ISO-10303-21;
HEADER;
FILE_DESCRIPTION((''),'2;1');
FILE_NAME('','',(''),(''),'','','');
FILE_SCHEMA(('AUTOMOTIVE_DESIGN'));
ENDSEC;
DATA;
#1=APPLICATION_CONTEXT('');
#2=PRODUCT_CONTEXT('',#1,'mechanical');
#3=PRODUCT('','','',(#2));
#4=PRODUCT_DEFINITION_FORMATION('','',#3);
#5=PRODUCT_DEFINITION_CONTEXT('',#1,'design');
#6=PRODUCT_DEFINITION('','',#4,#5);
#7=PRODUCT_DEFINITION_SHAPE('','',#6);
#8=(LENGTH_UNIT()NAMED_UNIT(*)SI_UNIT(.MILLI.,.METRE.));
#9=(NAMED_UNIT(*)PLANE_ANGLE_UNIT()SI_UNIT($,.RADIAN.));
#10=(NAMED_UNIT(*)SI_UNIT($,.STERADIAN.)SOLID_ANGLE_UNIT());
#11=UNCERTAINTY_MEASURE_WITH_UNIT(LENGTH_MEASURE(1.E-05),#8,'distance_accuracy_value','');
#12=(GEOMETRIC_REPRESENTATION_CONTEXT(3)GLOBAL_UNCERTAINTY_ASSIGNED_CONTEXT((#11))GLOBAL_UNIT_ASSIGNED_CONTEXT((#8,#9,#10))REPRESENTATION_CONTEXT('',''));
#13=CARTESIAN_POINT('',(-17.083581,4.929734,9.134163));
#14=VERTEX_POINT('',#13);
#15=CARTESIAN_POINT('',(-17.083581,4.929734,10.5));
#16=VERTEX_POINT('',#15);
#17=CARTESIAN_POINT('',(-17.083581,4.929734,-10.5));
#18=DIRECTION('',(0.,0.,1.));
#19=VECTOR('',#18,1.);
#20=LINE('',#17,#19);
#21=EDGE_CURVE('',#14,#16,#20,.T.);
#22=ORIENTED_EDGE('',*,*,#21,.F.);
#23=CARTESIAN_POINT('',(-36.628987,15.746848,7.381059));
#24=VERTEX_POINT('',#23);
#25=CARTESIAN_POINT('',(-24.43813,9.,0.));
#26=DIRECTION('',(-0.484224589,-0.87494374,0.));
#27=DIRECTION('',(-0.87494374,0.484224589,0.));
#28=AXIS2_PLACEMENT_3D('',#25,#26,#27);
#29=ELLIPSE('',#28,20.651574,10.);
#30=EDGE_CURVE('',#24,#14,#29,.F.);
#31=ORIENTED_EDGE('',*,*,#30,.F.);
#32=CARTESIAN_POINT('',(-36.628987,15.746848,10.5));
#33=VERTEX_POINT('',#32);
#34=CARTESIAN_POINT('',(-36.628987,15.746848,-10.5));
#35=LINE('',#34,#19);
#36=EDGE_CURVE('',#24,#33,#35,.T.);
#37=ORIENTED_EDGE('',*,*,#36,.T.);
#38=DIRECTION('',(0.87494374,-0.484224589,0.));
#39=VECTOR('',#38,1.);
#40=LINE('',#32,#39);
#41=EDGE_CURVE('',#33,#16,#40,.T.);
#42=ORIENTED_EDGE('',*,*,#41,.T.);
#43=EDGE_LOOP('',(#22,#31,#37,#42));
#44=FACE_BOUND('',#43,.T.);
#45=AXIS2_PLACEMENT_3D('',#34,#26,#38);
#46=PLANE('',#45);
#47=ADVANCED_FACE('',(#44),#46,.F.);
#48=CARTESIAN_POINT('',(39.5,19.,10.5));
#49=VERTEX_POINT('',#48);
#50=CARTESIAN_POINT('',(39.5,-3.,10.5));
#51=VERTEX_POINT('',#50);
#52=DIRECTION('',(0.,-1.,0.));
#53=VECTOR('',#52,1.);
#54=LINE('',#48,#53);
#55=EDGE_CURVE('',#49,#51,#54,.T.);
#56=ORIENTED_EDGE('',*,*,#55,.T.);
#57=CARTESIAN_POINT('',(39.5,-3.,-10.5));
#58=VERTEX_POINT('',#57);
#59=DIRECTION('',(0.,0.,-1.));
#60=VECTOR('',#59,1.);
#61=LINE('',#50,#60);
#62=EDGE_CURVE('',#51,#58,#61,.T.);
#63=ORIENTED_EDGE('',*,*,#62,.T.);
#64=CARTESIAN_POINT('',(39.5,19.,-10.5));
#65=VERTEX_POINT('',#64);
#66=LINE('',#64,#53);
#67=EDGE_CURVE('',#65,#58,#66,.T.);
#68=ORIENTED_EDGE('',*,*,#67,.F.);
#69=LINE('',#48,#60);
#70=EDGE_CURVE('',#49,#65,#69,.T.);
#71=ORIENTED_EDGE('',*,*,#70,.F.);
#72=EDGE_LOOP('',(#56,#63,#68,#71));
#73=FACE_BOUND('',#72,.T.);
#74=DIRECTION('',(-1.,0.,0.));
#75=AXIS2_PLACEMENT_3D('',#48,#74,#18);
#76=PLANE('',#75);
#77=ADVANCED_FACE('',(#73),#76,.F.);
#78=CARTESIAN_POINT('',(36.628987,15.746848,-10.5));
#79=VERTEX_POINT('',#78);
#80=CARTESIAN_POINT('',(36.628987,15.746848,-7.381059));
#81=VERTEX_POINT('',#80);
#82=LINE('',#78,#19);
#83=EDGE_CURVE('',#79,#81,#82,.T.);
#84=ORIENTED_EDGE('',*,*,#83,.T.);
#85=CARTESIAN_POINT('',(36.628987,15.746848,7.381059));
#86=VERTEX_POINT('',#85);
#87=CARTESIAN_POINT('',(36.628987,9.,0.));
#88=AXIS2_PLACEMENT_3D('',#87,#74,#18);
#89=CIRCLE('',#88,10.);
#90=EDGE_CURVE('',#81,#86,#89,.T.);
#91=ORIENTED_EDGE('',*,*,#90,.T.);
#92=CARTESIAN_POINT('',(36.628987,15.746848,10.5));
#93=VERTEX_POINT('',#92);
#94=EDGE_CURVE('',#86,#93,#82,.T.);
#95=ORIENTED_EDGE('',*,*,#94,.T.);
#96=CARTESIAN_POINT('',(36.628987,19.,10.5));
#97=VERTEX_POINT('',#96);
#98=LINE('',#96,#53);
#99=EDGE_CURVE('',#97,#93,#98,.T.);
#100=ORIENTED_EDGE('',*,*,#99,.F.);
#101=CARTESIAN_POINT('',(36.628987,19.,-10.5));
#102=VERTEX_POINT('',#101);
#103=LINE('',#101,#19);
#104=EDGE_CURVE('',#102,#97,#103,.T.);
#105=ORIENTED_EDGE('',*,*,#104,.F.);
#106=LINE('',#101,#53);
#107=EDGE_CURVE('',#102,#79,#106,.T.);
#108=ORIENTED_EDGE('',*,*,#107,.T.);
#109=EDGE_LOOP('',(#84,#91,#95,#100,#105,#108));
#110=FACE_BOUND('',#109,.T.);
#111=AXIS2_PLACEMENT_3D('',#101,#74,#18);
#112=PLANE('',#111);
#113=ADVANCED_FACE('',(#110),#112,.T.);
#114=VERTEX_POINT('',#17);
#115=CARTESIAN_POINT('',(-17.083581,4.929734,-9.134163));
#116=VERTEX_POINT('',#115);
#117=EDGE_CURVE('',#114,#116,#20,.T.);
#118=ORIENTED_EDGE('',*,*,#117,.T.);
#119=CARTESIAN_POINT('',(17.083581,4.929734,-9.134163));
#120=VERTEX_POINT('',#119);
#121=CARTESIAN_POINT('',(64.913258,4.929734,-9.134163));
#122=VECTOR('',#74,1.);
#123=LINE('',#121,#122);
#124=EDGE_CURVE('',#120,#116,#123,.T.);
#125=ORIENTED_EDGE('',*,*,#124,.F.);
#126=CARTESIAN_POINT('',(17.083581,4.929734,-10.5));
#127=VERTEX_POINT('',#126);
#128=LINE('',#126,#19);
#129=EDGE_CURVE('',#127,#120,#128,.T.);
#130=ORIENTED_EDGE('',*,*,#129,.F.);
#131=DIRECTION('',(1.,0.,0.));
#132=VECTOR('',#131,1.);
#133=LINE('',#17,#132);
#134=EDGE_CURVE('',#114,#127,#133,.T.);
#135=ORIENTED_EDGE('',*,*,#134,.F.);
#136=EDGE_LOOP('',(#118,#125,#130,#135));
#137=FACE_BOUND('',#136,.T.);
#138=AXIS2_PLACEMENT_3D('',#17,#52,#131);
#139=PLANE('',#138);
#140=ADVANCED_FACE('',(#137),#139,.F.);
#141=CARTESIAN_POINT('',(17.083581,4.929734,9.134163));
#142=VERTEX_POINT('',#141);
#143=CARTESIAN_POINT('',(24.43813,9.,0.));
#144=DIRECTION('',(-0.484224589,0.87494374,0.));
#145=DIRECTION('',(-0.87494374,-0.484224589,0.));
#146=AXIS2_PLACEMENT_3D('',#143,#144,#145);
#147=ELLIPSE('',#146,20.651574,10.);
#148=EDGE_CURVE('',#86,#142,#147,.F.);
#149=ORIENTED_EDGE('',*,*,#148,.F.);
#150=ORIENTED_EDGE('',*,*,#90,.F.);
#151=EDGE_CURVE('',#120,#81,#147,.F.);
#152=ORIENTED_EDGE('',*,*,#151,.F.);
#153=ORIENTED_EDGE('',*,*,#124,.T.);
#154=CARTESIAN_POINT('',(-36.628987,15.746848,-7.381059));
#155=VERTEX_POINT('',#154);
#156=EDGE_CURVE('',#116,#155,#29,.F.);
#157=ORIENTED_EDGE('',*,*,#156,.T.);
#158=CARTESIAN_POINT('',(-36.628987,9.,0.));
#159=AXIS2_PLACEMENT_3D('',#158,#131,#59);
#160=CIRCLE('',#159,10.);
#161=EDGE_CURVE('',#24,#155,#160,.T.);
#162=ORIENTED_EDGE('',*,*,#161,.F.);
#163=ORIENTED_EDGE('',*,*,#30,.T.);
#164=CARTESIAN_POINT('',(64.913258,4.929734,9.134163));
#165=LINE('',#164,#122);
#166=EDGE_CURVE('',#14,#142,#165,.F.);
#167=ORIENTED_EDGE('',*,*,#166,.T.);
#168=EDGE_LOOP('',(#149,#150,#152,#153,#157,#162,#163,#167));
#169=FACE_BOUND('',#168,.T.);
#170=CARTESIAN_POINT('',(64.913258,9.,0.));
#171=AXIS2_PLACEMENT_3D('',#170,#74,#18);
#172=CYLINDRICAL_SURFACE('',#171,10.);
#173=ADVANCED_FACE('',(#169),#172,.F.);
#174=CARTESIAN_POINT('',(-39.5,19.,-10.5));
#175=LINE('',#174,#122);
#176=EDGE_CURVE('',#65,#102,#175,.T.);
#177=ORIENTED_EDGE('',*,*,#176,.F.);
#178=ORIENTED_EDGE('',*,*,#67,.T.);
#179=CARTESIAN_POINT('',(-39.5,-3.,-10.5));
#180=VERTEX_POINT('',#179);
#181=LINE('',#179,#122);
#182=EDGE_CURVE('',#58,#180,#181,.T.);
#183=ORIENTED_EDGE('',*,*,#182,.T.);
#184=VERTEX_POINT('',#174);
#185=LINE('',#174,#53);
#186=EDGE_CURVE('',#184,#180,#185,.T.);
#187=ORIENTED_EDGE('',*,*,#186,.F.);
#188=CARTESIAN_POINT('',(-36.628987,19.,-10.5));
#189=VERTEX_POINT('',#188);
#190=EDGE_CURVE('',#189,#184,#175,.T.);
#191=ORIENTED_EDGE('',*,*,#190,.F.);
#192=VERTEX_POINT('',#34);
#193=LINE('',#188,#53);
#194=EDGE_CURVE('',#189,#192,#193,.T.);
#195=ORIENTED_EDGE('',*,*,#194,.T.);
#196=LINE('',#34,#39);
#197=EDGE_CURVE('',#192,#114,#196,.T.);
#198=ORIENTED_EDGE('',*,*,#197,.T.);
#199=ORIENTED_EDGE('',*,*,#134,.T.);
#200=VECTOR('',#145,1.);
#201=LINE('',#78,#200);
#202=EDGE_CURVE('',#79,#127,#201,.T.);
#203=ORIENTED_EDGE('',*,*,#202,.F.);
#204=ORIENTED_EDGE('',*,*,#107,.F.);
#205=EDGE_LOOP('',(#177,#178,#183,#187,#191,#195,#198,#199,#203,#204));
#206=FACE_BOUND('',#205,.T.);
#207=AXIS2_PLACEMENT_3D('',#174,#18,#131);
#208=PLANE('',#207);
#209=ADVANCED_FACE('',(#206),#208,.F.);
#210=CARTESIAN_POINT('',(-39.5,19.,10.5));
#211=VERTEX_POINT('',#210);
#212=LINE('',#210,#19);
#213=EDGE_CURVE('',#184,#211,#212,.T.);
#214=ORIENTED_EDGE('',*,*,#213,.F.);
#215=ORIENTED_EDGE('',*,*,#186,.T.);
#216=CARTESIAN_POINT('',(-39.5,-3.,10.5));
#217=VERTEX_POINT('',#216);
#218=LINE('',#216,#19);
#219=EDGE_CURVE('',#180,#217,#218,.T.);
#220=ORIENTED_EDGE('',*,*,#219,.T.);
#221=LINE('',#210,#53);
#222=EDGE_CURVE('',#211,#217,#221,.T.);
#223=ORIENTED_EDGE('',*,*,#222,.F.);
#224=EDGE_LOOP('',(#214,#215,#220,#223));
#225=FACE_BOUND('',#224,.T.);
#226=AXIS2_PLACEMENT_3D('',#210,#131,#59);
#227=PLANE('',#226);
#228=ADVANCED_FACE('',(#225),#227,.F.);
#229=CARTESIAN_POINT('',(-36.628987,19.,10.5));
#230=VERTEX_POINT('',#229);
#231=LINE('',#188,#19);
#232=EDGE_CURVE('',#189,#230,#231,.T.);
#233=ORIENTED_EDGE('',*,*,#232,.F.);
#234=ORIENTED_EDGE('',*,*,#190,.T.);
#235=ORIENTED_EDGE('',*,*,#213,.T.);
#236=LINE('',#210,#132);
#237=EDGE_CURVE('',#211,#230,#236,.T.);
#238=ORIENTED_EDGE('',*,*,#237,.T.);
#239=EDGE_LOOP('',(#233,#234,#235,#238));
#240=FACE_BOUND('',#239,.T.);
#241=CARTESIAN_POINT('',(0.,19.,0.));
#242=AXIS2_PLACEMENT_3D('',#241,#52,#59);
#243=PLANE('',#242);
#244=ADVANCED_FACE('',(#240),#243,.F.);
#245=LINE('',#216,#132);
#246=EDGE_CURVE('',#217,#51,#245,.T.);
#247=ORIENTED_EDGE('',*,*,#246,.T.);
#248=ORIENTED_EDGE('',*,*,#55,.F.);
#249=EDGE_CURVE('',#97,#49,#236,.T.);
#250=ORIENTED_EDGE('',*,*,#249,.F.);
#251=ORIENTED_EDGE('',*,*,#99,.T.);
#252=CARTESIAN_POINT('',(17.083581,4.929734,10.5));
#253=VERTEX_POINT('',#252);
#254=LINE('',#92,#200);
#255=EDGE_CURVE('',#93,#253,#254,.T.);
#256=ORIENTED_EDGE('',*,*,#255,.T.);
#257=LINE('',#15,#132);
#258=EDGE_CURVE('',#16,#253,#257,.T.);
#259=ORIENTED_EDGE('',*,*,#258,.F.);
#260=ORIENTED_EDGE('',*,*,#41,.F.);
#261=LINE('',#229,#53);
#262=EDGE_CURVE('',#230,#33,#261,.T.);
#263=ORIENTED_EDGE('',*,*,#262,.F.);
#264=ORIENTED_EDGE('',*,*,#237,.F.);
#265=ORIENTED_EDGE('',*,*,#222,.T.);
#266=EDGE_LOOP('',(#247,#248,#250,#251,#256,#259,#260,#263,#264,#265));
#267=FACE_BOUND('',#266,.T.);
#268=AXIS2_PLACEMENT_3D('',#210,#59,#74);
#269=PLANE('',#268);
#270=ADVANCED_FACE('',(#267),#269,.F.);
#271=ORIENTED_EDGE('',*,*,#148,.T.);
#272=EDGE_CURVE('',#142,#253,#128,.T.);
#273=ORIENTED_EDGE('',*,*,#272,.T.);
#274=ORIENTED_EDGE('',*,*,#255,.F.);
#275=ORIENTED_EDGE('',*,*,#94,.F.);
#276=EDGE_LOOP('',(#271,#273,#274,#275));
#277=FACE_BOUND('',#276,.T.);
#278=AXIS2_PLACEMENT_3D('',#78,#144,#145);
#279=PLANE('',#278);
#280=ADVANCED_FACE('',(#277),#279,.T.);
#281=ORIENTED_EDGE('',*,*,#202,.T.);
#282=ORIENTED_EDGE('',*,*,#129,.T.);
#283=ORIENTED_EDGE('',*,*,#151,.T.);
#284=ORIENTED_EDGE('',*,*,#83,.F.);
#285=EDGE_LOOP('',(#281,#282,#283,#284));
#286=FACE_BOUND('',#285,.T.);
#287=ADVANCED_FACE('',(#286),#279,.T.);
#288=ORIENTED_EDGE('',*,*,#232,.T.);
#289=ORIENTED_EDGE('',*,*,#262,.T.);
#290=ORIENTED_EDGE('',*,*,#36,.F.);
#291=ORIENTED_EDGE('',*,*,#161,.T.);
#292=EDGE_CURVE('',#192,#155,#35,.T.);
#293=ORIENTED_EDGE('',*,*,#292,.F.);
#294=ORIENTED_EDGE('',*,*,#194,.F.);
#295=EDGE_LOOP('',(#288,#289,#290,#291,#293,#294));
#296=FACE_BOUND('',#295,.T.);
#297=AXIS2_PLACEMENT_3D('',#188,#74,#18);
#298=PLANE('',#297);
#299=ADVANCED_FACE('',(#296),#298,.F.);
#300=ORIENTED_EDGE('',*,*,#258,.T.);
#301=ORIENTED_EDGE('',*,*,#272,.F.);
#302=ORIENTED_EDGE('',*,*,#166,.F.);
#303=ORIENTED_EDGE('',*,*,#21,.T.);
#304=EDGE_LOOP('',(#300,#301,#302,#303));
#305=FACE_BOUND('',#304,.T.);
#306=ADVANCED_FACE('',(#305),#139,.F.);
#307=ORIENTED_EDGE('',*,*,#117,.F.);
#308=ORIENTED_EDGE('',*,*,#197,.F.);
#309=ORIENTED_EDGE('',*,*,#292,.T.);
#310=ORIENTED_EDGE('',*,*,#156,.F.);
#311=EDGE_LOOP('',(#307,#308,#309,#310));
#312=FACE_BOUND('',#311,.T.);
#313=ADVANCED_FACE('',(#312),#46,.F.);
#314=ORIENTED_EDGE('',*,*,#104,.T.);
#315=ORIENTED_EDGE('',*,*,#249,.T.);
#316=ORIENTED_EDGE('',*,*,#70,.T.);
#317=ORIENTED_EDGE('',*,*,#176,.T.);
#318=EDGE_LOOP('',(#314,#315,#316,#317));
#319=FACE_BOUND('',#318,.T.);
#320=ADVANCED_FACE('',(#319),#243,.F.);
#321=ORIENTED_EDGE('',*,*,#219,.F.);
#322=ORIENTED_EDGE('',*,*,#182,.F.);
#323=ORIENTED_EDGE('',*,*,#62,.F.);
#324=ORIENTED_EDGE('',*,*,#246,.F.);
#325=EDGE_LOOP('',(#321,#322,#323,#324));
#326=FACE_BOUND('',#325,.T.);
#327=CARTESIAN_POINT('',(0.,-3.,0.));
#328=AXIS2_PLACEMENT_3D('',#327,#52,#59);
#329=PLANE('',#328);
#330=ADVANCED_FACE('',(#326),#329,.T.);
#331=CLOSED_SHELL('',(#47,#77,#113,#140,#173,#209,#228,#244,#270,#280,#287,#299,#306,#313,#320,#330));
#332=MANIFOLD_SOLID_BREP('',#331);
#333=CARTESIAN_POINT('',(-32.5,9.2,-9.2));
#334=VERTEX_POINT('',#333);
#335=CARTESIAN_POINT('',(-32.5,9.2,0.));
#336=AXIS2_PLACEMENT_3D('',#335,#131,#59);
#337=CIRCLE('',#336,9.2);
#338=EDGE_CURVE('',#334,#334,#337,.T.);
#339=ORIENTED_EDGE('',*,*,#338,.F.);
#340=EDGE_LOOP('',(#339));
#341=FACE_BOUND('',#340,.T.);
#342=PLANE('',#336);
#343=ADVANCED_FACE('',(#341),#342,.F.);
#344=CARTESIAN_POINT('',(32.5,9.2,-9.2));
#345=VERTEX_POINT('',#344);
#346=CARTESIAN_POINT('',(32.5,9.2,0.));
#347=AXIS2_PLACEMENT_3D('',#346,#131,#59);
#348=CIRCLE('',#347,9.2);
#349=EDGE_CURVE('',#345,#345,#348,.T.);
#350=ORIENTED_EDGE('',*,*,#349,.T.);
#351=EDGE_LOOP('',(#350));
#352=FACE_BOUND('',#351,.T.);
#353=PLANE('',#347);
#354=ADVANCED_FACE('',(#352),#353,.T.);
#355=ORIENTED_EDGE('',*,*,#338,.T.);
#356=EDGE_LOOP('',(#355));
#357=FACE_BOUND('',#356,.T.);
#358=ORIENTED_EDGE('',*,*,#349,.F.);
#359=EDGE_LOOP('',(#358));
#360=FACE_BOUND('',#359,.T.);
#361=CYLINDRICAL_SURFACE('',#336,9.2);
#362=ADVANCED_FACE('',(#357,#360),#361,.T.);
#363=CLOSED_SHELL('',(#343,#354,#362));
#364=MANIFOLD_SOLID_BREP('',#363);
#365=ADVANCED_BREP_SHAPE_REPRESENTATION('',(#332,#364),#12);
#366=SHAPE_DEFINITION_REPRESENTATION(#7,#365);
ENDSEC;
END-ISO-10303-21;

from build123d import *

# Parameters (mm, degrees)
BOSS_EXTRUDE3_DEPTH      = 32.5
BOSS_EXTRUDE3_DEPTH_BACK = 32.5
SKETCH8_R                = 9.2
SKETCH9_W                = 79
SKETCH9_H                = 21
BOSS_EXTRUDE4_DEPTH      = 22
CUT_EXTRUDE1_DEPTH       = 49.602983448
CUT_EXTRUDE2_REACH       = 81.164
SKETCH12_R               = 10


with BuildPart() as part:
    # Sketch8 → Boss-Extrude3 (new, two sides: drawn at the far end of the back side and taken through both)
    with BuildSketch(Plane(origin=(0, 0, 0), x_dir=(0, 0, -1), z_dir=(1, 0, 0)).offset(-BOSS_EXTRUDE3_DEPTH_BACK)):
        with Locations((0, 9.2)):
            Circle(SKETCH8_R)
    extrude(amount=BOSS_EXTRUDE3_DEPTH + BOSS_EXTRUDE3_DEPTH_BACK)


with BuildPart() as body_2:
    # Sketch9 → Boss-Extrude4 (new body)
    with BuildSketch(Plane(origin=(0, -3, 0), x_dir=(1, 0, 0), z_dir=(0, 1, 0))):
        Rectangle(SKETCH9_W, SKETCH9_H)
    extrude(amount=BOSS_EXTRUDE4_DEPTH)

    # Sketch11 → Cut-Extrude1 (cut, through all)
    with BuildSketch(Plane.XY.offset(10.5)):
        Polygon((-36.62898703, 19), (-36.62898703, 15.746848223), (-17.083580509, 4.929733927), (0, 4.929733927), (0, 19), align=None)
    cut_extrude1 = extrude(amount=-CUT_EXTRUDE1_DEPTH, mode=Mode.SUBTRACT)

    # Mirror1: Cut-Extrude1 across plane
    add(cut_extrude1.mirror(Plane(origin=(0, 0, 0), x_dir=(0, 0, 1), z_dir=(1, 0, 0))), mode=Mode.SUBTRACT)

    # Cut-Extrude2: up to this face of the body (flat: up to its plane)
    cut_extrude2_end = Plane(body_2.part.faces().sort_by_distance((36.62898703, 17.373424112, 0))[0])
    # Sketch12 → Cut-Extrude2 (cut, up to the picked face)
    with BuildSketch(Plane(origin=(-36.62898703, 0, 0), x_dir=(0, 0, -1), z_dir=(1, 0, 0)), mode=Mode.PRIVATE) as cut_extrude2_sk1:
        with Locations((0, 9)):
            Circle(SKETCH12_R)
    cut_extrude2_tool1 = split(extrude(cut_extrude2_sk1.sketch, amount=CUT_EXTRUDE2_REACH, mode=Mode.PRIVATE), bisect_by=cut_extrude2_end, keep=Keep.BOTH, mode=Mode.PRIVATE)
    add(cut_extrude2_tool1.solids().sort_by(Axis((-36.628987, 9, 0), (1, 0, 0)))[0], mode=Mode.SUBTRACT)


solid = Compound([part.part, body_2.part])
